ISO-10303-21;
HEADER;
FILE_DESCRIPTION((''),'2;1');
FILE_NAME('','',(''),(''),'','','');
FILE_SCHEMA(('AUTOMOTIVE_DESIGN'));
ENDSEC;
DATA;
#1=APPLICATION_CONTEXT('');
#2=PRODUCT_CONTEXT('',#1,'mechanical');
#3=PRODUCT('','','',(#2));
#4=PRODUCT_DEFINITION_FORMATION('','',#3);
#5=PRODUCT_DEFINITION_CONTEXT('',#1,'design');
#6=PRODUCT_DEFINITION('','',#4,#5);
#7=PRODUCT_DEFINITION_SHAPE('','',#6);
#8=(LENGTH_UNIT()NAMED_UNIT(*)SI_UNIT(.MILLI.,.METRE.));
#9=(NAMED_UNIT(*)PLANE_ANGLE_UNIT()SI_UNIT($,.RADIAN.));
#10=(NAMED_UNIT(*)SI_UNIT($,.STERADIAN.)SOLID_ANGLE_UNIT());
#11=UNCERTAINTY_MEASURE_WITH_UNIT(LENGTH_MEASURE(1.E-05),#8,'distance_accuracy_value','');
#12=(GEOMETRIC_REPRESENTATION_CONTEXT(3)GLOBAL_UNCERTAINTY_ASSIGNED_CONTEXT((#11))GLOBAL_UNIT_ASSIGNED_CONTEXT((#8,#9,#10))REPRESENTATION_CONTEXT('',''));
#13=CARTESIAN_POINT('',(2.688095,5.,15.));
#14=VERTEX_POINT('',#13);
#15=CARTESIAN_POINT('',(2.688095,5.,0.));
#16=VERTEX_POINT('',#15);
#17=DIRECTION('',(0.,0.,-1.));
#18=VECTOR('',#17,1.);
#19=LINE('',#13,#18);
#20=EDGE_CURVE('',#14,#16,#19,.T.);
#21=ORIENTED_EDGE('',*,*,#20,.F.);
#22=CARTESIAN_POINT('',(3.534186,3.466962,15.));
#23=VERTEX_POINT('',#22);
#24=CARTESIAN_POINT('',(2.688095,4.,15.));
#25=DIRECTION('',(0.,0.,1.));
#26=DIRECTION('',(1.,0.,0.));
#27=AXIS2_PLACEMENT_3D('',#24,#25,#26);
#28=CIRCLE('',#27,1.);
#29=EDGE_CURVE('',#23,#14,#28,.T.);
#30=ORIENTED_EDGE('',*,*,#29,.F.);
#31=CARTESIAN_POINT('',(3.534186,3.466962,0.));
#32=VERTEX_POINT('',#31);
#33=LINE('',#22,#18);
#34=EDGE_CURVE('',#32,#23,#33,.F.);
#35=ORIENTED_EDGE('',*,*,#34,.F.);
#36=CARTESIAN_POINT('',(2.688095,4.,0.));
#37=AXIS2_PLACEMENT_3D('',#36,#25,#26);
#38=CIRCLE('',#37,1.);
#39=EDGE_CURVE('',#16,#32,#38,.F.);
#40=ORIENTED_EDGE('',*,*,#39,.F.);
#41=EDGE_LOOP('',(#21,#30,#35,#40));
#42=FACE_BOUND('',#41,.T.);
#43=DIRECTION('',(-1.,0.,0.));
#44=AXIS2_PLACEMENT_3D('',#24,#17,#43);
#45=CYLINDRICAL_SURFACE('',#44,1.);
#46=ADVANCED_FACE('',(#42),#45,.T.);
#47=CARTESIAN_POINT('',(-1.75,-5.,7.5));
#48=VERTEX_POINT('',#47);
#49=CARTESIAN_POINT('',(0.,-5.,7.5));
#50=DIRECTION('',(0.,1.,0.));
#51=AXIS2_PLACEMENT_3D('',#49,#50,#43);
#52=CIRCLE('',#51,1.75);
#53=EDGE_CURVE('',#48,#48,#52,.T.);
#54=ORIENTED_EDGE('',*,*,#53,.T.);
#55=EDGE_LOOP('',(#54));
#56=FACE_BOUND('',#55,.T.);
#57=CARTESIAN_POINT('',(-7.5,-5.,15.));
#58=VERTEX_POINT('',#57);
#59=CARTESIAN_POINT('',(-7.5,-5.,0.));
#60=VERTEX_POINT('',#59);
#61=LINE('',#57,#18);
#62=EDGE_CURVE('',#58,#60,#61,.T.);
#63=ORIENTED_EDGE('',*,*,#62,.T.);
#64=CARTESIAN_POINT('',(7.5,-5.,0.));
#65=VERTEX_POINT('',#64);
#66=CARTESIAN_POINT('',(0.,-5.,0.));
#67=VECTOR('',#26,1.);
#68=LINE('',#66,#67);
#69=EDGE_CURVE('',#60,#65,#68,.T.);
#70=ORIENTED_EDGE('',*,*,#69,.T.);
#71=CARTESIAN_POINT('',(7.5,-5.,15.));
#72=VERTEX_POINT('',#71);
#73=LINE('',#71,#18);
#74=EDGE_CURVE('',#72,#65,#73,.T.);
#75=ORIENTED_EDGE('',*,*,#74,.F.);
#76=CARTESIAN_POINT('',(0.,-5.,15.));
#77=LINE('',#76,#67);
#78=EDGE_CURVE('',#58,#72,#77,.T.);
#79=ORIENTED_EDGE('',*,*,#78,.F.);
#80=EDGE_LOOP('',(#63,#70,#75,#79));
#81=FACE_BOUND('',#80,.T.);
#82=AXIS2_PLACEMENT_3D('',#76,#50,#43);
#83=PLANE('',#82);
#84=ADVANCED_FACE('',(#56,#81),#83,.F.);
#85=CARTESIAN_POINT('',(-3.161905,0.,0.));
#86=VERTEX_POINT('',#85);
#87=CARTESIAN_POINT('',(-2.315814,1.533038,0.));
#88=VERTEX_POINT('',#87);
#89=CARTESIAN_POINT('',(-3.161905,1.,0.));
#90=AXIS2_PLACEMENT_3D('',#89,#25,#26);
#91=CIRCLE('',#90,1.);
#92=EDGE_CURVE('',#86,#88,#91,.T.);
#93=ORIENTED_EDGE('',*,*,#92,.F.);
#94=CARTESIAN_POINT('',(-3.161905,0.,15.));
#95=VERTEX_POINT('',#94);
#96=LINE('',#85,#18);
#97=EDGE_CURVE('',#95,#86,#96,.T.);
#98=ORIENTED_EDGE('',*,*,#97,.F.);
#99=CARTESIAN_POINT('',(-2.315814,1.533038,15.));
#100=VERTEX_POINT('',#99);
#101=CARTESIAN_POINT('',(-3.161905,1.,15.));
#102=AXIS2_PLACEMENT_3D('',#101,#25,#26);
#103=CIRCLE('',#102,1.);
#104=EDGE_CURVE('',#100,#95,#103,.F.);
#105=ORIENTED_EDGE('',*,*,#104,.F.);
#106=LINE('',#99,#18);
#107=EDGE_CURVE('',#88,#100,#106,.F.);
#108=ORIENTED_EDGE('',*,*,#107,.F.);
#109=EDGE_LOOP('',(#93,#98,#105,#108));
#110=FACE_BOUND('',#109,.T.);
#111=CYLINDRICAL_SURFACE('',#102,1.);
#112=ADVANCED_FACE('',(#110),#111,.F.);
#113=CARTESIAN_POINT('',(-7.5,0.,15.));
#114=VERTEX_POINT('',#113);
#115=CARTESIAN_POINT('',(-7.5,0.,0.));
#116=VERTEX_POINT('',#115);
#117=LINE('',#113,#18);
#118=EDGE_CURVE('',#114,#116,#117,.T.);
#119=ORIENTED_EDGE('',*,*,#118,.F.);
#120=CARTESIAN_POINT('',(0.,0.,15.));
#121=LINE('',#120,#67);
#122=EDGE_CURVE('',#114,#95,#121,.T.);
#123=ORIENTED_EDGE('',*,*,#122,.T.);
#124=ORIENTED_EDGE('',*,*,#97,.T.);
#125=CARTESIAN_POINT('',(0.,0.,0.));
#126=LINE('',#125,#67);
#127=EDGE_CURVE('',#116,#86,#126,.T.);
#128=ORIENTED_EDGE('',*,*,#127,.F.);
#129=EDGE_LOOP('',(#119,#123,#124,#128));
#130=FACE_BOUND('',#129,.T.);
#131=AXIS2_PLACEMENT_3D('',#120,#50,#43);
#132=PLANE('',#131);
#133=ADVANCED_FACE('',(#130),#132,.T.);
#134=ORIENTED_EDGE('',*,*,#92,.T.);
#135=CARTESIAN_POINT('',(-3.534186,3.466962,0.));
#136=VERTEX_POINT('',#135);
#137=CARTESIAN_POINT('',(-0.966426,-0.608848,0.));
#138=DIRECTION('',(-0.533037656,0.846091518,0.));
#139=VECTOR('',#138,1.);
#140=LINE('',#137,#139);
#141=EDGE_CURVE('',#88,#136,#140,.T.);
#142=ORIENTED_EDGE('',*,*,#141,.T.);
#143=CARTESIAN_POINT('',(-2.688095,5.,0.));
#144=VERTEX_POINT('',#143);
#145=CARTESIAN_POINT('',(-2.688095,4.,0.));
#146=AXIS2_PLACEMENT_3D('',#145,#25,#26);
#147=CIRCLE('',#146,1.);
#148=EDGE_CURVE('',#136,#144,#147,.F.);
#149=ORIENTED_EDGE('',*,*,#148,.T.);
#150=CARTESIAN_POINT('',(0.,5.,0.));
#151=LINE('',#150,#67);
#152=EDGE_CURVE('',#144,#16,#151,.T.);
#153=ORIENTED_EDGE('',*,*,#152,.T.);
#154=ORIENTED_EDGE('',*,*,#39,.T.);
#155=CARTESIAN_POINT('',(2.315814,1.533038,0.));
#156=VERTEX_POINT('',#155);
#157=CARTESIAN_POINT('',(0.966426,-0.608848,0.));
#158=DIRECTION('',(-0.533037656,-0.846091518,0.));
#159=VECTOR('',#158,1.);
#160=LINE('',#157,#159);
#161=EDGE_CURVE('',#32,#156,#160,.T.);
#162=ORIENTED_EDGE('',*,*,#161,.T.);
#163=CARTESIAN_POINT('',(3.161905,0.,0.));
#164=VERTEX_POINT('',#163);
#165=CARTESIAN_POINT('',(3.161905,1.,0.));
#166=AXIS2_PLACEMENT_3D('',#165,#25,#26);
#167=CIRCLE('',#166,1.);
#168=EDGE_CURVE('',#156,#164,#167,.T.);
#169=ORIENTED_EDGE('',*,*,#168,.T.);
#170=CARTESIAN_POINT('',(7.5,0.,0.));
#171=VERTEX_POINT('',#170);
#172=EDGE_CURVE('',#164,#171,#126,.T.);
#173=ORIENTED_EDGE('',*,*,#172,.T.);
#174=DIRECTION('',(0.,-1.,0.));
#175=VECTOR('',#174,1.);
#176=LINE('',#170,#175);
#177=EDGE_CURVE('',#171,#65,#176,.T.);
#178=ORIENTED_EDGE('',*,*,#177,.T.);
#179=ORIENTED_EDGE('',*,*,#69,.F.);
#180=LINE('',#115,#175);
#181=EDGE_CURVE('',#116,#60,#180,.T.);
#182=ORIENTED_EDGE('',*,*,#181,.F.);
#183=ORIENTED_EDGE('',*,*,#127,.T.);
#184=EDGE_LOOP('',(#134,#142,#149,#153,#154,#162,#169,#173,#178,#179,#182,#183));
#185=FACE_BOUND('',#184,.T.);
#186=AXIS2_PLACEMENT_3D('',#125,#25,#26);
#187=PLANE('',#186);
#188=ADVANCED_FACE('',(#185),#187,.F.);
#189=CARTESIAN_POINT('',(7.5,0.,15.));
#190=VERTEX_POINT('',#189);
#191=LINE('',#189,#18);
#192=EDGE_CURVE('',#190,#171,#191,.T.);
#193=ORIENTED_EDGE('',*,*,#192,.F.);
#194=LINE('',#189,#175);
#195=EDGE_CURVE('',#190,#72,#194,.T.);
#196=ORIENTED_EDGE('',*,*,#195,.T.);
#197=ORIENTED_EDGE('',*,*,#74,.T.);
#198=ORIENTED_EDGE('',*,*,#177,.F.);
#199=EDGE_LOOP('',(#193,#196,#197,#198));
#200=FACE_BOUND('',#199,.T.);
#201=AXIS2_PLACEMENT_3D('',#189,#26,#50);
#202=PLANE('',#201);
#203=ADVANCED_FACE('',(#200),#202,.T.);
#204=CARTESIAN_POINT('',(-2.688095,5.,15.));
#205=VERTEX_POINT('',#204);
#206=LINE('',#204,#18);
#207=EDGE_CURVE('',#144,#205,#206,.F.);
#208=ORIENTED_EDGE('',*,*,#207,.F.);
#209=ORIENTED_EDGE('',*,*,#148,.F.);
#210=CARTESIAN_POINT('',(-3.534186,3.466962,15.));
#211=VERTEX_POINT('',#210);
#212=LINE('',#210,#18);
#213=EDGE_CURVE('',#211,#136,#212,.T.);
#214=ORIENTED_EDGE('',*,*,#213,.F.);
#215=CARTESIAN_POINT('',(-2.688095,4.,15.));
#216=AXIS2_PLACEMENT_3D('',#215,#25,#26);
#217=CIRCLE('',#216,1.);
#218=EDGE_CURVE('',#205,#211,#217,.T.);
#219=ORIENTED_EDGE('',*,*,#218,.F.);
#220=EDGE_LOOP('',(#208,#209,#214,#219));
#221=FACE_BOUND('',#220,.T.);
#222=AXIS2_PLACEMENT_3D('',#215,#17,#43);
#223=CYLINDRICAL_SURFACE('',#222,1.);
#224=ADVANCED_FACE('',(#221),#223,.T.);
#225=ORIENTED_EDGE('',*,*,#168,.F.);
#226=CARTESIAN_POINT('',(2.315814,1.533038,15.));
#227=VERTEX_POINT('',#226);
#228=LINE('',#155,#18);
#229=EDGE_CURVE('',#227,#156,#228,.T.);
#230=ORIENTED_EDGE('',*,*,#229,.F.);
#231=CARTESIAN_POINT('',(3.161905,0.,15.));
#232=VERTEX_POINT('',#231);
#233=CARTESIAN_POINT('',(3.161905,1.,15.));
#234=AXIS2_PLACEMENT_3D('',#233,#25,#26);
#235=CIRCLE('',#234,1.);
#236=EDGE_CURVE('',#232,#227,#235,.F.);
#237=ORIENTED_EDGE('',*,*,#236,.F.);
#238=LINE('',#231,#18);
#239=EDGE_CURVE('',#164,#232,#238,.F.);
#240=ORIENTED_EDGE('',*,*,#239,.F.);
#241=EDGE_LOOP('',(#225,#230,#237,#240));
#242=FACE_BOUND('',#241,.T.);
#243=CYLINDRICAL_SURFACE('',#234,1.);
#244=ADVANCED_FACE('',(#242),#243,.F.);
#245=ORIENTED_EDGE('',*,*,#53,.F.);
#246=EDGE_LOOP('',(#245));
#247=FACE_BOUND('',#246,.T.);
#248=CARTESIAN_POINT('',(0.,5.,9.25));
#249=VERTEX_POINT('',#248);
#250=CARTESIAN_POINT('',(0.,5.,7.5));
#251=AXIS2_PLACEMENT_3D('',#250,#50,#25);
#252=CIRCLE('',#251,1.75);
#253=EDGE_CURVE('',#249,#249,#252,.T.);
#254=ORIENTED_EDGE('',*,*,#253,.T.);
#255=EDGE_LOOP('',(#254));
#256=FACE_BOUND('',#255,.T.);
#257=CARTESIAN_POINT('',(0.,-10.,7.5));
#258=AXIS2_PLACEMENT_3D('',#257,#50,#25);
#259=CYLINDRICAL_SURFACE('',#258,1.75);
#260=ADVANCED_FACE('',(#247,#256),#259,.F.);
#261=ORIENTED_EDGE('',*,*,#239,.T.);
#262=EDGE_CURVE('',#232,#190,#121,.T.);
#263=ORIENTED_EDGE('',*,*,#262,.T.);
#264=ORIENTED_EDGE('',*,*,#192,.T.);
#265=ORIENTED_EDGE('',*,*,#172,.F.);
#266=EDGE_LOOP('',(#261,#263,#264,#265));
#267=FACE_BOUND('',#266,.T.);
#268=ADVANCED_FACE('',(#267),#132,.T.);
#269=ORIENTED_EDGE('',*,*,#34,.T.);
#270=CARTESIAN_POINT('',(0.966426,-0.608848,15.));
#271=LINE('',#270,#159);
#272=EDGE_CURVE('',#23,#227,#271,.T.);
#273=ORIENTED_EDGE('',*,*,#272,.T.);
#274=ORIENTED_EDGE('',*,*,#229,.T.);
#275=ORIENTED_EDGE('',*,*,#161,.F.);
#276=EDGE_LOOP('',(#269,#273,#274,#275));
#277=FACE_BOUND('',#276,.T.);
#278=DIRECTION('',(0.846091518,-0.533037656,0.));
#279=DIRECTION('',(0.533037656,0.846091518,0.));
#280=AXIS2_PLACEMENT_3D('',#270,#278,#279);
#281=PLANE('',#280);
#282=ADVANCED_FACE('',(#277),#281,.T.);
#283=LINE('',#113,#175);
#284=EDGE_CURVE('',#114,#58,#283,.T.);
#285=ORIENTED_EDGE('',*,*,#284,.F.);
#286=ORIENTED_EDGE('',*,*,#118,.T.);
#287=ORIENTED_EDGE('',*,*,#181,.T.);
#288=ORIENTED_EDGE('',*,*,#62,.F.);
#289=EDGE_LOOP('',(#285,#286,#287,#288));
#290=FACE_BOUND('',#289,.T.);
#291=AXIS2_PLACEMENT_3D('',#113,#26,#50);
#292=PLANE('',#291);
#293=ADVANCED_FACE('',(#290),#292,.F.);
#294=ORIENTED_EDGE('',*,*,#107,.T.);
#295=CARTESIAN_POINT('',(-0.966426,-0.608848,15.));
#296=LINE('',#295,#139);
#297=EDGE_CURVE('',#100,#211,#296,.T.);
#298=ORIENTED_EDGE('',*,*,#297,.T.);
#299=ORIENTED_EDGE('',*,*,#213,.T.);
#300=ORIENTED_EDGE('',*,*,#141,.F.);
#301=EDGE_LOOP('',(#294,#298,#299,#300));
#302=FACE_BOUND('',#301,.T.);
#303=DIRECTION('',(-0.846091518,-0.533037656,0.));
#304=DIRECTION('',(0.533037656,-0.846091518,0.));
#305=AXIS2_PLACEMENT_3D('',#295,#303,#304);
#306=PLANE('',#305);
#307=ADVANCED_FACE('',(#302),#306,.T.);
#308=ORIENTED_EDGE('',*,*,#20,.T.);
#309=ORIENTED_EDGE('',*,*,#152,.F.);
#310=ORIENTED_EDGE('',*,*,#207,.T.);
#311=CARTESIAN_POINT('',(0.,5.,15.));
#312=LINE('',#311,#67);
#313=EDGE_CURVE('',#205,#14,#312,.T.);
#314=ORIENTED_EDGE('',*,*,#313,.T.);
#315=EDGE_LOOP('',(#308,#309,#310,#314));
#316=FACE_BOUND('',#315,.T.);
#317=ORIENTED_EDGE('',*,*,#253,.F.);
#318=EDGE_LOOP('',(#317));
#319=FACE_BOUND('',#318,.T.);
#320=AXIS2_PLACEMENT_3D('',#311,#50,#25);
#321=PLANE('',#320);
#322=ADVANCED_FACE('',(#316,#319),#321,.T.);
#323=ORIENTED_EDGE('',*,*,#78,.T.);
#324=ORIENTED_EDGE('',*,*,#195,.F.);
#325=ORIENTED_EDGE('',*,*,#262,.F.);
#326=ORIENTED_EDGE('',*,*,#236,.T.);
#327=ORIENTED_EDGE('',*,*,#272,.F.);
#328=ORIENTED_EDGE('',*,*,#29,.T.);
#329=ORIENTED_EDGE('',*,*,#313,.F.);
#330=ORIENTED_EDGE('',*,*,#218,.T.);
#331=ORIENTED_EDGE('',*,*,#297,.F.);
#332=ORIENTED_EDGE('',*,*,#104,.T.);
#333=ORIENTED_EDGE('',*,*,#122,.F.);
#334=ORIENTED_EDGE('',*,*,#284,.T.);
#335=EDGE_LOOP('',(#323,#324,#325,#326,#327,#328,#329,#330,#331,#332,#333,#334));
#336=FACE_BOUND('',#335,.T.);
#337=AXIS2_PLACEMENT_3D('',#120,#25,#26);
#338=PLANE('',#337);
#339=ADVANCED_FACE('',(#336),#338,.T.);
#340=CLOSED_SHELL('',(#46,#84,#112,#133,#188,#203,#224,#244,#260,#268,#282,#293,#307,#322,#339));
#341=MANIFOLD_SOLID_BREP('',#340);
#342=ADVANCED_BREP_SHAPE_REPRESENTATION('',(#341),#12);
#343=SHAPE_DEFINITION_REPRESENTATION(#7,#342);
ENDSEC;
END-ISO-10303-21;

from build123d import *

# Parameters (mm, degrees)
ESBO_O1_W                = 15
ESBO_O1_H                = 5
RESSALTO_EXTRUS_O1_DEPTH = 15
FILETE1_R                = 1
ESBO_O2_R                = 1.75
CORTE_EXTRUS_O1_DEPTH    = 15


with BuildPart() as part:
    # Esboço1 → Ressalto-extrusão1 (new body)
    with BuildSketch(Plane.XY):
        with Locations((0, -2.5)):
            Rectangle(ESBO_O1_W, ESBO_O1_H)
        Polygon((-4.5, 5), (-1.35, 0), (1.35, 0), (4.5, 5), align=None)
    extrude(amount=RESSALTO_EXTRUS_O1_DEPTH)

    # Filete1
    filete1_edges = [part.edges().sort_by_distance(p)[0] for p in [
        (-1.35, 0, 7.5),
        (-4.5, 5, 7.5),
        (4.5, 5, 7.5),
        (1.35, 0, 7.5),
    ]]
    fillet(filete1_edges, radius=FILETE1_R)

    # Esboço2 → Corte-extrusão1 (cut)
    with BuildSketch(Plane(origin=(0, 5, 0), x_dir=(1, 0, 0), z_dir=(0, 1, 0))):
        with Locations(Location((0, -7.5, 0), (0, 0, 270))):
            Circle(ESBO_O2_R)
    extrude(amount=-CORTE_EXTRUS_O1_DEPTH, mode=Mode.SUBTRACT)


solid = part.part
